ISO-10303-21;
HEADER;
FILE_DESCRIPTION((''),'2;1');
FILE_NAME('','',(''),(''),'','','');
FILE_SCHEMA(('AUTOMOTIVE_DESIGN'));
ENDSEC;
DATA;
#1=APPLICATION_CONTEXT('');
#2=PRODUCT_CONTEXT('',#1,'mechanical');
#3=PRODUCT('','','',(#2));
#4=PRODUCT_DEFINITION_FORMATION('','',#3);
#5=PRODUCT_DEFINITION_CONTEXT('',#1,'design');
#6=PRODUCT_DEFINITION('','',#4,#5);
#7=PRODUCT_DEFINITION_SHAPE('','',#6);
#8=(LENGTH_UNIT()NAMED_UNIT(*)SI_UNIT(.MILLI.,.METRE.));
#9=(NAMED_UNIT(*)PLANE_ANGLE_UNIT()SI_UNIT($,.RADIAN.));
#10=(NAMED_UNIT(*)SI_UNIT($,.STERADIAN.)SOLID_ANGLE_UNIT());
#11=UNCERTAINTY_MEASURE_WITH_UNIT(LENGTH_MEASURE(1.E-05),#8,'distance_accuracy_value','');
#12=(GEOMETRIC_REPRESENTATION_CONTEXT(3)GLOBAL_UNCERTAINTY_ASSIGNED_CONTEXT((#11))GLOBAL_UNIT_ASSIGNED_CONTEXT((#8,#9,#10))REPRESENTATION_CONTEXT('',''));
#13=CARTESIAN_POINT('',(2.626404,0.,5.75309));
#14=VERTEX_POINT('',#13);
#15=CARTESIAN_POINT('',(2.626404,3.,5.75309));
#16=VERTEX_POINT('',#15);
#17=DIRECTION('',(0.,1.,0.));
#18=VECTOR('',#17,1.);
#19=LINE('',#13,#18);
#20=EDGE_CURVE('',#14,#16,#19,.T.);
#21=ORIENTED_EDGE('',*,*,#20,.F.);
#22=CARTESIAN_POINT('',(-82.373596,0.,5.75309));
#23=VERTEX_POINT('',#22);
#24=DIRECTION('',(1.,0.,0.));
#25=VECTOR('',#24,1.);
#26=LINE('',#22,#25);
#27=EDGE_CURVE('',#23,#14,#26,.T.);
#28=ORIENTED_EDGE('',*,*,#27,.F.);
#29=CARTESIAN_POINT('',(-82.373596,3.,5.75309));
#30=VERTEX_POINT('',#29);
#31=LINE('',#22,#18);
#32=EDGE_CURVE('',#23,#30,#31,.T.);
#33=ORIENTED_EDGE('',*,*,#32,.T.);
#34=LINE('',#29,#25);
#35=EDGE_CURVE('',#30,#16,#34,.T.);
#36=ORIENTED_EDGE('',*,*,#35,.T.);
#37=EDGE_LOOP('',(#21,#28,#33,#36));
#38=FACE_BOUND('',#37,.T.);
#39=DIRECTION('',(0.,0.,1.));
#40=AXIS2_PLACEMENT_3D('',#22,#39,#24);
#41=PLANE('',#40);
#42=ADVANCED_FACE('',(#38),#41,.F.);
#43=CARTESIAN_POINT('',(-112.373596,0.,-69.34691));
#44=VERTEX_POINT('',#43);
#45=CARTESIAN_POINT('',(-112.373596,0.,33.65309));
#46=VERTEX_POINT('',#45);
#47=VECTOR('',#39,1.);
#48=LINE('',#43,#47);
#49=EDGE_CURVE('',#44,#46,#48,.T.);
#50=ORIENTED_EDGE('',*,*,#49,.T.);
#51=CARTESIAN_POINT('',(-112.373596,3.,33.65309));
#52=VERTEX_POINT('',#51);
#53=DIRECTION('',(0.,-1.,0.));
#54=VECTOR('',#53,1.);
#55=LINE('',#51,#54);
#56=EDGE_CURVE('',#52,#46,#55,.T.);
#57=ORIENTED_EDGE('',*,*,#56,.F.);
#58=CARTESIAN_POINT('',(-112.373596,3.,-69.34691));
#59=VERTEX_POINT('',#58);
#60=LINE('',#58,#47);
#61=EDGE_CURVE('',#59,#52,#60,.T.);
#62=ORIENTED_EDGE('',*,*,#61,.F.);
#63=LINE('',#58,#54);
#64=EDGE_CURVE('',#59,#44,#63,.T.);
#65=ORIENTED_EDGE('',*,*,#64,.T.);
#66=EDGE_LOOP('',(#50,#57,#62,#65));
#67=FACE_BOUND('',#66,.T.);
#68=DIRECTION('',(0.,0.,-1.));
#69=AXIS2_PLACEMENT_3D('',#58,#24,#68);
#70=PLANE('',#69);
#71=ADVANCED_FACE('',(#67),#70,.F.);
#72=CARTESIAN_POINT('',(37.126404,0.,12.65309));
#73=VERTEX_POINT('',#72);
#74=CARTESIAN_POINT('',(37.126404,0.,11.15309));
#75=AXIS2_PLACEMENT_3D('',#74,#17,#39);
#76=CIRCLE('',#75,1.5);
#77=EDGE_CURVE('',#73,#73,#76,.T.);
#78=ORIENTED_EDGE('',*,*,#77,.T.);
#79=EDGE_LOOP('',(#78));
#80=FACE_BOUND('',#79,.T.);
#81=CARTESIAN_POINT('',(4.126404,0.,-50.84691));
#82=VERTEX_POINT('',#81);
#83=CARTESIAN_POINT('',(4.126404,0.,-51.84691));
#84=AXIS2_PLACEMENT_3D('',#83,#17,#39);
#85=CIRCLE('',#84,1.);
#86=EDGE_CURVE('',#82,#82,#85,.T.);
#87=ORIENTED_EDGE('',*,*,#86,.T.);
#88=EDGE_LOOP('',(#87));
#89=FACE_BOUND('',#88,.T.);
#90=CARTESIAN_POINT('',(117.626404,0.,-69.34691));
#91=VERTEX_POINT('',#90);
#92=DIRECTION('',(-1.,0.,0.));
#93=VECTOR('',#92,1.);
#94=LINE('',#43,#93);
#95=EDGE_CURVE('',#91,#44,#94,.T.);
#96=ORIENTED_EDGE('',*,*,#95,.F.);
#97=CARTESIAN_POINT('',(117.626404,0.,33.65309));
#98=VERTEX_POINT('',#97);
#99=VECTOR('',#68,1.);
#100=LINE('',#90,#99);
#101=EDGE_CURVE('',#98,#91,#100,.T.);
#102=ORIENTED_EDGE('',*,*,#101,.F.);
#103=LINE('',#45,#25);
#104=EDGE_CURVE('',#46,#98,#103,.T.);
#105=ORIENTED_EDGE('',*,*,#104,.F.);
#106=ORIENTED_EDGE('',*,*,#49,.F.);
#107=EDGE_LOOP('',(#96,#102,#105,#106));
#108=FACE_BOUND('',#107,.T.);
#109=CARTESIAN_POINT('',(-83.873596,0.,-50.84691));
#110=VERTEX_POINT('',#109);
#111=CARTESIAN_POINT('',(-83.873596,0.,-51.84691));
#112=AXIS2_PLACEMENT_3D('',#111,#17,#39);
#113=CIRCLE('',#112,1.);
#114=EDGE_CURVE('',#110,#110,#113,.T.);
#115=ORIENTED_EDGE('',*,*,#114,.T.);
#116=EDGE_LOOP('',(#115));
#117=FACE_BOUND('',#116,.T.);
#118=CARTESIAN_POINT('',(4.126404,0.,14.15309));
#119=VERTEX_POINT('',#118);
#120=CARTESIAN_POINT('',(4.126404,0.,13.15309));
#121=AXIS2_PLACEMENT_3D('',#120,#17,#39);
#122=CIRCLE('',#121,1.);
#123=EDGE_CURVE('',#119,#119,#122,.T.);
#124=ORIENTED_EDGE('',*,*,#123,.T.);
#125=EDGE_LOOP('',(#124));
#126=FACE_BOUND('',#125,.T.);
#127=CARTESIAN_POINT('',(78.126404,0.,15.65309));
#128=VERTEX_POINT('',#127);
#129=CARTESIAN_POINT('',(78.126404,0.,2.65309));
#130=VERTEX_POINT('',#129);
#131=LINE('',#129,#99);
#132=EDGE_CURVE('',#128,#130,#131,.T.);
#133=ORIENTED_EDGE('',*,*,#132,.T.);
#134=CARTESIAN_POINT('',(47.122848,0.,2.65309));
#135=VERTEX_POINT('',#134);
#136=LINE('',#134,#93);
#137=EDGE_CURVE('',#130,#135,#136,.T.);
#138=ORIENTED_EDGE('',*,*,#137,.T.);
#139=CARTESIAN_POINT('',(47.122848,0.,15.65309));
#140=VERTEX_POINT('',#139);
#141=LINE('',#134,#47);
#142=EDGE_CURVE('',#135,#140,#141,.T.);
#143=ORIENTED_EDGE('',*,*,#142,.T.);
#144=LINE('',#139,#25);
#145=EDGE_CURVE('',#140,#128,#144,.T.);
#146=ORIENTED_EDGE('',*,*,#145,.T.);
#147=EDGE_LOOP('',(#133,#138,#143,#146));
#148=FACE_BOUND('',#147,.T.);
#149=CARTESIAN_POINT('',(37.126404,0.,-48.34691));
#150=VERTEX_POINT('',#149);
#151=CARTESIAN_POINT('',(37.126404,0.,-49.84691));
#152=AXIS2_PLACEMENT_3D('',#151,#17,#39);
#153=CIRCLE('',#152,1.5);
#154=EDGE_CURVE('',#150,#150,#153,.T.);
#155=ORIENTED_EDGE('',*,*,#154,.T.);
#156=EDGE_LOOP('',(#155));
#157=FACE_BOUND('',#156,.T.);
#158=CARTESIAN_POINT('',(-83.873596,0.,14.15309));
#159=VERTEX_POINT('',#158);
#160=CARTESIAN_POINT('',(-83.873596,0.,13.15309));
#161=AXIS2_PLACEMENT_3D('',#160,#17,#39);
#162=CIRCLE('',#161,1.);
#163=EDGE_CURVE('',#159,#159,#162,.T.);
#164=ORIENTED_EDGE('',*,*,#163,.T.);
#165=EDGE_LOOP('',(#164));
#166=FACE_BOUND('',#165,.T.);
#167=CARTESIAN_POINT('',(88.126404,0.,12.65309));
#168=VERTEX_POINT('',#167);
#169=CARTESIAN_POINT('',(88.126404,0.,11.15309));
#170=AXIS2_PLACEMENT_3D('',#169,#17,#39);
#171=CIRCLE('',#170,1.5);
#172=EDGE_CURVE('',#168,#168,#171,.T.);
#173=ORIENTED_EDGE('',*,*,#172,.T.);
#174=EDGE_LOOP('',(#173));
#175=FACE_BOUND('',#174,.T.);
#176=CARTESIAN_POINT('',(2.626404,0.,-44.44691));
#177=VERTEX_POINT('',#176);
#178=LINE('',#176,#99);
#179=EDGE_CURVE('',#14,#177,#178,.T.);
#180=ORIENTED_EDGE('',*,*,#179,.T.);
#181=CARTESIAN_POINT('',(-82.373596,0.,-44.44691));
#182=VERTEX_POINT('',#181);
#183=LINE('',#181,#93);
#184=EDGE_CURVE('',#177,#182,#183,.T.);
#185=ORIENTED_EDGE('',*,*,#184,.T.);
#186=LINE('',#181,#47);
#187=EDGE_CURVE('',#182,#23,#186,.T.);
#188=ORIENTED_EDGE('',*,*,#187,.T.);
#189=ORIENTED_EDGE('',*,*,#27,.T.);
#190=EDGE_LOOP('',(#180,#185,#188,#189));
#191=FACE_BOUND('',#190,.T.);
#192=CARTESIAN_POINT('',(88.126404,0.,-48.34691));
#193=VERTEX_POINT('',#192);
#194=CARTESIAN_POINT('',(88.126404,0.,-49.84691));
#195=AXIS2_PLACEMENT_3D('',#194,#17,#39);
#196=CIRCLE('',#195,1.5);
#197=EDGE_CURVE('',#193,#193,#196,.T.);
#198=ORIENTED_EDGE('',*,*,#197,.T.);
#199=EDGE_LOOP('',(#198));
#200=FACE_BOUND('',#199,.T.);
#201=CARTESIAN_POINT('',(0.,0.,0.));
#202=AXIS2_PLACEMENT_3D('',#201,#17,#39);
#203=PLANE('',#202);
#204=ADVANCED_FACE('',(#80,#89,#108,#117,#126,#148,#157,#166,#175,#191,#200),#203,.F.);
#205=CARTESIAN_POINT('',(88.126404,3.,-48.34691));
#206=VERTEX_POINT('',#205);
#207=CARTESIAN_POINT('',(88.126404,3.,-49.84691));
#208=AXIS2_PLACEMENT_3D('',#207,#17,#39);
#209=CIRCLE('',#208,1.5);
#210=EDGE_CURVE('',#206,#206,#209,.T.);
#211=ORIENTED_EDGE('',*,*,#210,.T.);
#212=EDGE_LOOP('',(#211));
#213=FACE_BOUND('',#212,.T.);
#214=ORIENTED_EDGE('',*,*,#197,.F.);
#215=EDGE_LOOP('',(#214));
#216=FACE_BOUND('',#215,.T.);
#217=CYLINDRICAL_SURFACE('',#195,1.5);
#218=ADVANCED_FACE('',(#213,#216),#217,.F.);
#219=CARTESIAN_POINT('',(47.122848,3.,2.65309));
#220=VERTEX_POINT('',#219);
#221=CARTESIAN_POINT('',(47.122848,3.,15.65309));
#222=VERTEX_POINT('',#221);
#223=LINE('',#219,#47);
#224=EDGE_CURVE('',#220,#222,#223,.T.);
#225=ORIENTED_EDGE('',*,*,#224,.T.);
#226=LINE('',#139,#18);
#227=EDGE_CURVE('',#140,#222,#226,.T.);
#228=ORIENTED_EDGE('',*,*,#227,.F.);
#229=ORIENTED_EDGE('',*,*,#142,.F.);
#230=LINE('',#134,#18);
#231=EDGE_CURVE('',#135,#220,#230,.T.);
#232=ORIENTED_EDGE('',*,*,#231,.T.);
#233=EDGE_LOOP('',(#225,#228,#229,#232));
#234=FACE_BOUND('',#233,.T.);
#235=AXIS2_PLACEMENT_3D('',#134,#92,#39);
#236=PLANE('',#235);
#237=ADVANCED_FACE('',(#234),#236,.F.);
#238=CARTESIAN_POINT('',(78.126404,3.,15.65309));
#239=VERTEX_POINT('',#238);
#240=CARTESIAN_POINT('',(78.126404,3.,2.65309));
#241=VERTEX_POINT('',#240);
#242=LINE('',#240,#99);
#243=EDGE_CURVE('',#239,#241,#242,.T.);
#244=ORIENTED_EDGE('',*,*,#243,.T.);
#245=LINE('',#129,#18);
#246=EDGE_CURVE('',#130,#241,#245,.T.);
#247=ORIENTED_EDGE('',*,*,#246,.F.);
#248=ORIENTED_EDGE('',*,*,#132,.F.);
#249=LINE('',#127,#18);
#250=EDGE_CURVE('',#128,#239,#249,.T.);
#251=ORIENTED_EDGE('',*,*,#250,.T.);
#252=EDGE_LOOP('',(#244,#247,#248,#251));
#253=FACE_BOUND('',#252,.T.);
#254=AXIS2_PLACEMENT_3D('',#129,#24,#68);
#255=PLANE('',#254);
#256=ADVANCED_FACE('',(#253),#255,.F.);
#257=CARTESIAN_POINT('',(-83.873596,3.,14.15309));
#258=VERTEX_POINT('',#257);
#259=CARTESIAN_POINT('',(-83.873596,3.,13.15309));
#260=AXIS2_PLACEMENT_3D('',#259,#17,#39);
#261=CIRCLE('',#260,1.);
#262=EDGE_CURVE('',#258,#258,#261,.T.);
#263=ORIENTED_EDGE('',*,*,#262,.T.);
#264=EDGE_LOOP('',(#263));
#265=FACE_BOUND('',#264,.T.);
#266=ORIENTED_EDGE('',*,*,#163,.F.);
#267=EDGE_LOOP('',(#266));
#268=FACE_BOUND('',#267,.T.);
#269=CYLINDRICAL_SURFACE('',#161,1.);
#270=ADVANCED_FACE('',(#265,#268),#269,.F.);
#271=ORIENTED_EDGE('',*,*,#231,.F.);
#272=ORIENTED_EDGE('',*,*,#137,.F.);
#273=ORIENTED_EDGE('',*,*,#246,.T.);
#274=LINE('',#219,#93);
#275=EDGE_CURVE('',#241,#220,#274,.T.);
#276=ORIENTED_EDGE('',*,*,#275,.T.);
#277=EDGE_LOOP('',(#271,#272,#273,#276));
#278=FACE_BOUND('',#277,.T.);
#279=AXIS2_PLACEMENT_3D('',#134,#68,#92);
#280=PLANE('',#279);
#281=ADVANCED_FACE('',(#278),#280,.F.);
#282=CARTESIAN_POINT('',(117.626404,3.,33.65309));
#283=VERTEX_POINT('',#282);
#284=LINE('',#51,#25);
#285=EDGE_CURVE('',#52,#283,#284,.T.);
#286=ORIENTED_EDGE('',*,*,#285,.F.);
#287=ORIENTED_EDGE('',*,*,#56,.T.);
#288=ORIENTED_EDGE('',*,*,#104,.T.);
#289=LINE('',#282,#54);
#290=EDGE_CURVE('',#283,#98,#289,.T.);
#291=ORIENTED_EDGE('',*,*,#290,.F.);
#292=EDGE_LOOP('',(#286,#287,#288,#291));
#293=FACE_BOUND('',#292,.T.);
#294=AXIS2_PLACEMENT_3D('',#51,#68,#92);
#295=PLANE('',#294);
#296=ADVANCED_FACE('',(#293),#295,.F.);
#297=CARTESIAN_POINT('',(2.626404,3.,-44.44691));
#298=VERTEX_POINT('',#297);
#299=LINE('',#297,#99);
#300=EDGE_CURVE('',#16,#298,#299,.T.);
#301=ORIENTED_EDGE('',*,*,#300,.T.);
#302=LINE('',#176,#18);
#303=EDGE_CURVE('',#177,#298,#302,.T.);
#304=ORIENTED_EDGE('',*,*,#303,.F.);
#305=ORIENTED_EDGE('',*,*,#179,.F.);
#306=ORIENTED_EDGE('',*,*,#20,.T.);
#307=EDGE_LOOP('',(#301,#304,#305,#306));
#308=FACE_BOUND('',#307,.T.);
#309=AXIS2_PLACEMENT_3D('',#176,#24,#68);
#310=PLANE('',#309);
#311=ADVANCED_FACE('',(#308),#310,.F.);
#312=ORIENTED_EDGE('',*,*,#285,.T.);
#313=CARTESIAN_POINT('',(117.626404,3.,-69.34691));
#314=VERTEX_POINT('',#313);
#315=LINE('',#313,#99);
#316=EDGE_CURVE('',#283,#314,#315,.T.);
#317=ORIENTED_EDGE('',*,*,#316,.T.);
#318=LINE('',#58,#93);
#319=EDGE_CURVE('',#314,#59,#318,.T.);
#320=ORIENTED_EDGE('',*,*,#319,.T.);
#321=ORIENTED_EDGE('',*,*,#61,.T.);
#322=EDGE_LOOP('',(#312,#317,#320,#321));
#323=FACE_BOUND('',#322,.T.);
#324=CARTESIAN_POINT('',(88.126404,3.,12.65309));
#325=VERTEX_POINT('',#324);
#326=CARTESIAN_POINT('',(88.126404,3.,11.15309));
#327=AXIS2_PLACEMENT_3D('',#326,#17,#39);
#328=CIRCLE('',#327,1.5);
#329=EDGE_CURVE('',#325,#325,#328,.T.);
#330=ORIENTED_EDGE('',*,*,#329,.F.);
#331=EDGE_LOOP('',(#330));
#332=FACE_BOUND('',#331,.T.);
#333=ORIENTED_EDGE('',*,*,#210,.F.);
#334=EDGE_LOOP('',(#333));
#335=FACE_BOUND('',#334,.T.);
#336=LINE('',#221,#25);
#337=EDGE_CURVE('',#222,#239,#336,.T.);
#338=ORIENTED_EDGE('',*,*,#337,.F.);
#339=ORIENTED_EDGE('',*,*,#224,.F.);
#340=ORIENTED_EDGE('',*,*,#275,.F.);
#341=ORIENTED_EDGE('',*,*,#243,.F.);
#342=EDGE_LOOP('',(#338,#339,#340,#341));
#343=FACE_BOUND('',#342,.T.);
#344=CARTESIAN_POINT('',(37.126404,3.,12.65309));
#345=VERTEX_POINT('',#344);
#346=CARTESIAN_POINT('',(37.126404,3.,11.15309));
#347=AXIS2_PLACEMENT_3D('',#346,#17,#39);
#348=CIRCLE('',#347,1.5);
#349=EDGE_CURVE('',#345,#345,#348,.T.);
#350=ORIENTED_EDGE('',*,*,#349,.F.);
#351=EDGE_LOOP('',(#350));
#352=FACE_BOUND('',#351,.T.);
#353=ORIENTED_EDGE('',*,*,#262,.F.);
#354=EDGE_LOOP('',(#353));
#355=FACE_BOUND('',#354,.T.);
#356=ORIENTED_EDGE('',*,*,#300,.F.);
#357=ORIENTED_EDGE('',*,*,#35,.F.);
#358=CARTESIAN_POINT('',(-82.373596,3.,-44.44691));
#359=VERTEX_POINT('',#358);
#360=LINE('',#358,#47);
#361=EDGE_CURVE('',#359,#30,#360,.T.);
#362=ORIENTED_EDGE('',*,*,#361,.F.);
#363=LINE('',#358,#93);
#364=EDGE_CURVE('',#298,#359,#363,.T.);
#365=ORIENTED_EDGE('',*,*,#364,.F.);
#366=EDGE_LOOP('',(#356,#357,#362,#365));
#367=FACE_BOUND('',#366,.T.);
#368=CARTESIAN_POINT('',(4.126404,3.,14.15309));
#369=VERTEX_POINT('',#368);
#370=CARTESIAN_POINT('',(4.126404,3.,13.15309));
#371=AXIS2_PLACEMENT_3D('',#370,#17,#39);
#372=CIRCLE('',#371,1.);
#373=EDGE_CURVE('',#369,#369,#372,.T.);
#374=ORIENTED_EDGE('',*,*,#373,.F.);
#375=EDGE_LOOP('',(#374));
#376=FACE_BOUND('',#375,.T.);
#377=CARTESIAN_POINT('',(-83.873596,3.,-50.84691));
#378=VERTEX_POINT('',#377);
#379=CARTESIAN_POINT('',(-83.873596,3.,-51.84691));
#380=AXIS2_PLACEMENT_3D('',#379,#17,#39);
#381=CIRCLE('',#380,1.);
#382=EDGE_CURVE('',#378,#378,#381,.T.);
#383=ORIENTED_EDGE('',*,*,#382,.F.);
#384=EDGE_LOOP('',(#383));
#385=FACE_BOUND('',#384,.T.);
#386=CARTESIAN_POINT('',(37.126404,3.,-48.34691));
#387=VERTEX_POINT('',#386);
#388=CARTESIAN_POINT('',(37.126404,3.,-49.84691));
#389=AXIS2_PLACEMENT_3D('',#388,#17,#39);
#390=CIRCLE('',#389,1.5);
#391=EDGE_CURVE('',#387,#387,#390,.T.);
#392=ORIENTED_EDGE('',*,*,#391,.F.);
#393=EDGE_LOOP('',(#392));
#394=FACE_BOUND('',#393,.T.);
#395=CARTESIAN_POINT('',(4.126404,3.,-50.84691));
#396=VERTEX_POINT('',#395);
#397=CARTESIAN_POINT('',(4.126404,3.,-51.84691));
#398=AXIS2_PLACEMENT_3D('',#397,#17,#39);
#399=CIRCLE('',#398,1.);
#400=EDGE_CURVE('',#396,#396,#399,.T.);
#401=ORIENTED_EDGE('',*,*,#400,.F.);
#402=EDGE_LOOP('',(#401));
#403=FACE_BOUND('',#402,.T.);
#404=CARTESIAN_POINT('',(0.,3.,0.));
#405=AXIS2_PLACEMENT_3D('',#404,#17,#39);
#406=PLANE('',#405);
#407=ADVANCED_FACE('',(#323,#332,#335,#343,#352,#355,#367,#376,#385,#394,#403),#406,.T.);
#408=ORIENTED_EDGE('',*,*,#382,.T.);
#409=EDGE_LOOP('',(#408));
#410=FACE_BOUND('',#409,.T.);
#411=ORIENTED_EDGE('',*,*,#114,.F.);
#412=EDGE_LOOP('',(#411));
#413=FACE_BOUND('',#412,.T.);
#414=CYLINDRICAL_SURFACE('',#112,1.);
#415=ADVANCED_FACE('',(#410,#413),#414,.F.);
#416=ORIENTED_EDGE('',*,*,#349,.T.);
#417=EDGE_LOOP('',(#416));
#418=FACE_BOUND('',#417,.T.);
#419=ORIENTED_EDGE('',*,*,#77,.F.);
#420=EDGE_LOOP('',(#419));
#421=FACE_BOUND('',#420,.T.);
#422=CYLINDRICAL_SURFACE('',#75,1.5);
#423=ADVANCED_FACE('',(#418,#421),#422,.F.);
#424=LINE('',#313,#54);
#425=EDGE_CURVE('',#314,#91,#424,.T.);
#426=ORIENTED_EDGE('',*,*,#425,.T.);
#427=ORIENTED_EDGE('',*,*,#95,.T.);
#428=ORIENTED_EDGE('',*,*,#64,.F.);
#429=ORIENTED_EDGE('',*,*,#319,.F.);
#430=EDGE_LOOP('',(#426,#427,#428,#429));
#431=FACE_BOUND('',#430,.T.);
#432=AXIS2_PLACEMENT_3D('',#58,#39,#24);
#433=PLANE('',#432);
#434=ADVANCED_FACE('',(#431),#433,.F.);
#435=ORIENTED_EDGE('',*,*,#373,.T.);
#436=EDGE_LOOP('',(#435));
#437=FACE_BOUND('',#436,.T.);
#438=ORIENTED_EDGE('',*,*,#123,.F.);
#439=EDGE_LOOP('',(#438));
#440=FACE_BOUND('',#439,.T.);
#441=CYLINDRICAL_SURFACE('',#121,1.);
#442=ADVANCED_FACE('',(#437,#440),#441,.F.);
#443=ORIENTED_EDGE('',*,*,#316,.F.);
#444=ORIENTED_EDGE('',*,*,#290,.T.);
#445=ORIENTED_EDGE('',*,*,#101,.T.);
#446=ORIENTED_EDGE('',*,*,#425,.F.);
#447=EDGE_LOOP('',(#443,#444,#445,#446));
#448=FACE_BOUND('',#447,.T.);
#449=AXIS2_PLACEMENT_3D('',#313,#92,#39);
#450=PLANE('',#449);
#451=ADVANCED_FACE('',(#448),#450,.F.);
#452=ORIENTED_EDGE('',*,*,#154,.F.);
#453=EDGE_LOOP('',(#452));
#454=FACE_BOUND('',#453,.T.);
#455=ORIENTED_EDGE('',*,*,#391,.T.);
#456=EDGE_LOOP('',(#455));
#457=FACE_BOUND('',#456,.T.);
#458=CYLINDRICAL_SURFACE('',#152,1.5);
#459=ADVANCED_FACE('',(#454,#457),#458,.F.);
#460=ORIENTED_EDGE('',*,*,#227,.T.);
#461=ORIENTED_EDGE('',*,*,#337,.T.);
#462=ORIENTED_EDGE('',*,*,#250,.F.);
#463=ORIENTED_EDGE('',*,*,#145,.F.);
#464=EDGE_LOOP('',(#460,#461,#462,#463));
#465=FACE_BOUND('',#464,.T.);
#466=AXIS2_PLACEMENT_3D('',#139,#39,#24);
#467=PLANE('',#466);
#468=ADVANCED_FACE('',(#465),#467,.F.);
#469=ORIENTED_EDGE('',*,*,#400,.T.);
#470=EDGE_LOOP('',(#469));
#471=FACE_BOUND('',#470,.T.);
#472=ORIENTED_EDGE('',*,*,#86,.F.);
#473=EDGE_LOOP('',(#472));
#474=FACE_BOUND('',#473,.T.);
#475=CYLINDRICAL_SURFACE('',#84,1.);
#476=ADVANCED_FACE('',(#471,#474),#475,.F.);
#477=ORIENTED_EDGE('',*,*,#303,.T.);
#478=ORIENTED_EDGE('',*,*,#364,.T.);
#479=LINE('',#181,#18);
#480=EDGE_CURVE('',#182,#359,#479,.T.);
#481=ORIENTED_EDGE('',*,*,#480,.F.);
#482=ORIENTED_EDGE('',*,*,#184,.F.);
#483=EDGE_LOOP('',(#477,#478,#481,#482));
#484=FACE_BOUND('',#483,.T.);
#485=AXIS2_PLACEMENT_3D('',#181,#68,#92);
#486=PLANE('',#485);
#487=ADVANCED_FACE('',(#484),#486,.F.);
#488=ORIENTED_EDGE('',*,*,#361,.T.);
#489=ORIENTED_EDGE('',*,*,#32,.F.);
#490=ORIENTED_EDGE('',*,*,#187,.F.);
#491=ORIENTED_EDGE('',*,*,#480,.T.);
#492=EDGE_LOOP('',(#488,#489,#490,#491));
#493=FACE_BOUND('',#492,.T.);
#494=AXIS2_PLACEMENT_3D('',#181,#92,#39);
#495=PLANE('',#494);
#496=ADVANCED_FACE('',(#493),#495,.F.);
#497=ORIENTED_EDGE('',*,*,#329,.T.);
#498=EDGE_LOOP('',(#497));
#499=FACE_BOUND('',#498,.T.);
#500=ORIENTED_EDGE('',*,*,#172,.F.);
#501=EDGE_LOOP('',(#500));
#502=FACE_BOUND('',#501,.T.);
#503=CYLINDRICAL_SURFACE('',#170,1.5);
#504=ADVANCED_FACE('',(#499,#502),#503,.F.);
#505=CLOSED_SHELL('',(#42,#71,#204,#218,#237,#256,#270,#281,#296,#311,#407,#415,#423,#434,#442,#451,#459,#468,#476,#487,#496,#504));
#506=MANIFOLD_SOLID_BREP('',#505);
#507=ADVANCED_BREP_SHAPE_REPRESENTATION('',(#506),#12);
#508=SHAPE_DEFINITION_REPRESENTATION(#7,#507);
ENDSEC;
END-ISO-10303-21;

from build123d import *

# Parameters (mm, degrees)
SKETCH1_W           = 230
SKETCH1_H           = 103
BOSS_EXTRUDE1_DEPTH = 3
SKETCH2_W           = 85
SKETCH2_H           = 50.2
CUT_EXTRUDE1_DEPTH  = 3
SKETCH3_R           = 1.5
SKETCH3_W           = 31.00355617
SKETCH3_H           = 13
CUT_EXTRUDE2_DEPTH  = 3
SKETCH4_R           = 1
CUT_EXTRUDE3_DEPTH  = 3


with BuildPart() as part:
    # Sketch1 → Boss-Extrude1 (new body)
    with BuildSketch(Plane(origin=(0, 0, 0), x_dir=(1, 0, 0), z_dir=(0, 1, 0))):
        with Locations((2.626404494, 17.846910112)):
            Rectangle(SKETCH1_W, SKETCH1_H)
    extrude(amount=BOSS_EXTRUDE1_DEPTH)

    # Sketch2 → Cut-Extrude1 (cut)
    with BuildSketch(Plane(origin=(0, 3, 0), x_dir=(1, 0, 0), z_dir=(0, 1, 0))):
        with Locations((-39.873595506, 19.346910112)):
            Rectangle(SKETCH2_W, SKETCH2_H)
    extrude(amount=-CUT_EXTRUDE1_DEPTH, mode=Mode.SUBTRACT)

    # Sketch3 → Cut-Extrude2 (cut)
    with BuildSketch(Plane(origin=(0, 3, 0), x_dir=(1, 0, 0), z_dir=(0, 1, 0))):
        with Locations(Location((37.126404494, 49.846910112, 0), (0, 0, 270))):
            Circle(SKETCH3_R)
        with Locations(Location((88.126404494, 49.846910112, 0), (0, 0, 270))):
            Circle(SKETCH3_R)
        with Locations(Location((88.126404494, -11.153089888, 0), (0, 0, 270))):
            Circle(SKETCH3_R)
        with Locations(Location((37.126404494, -11.153089888, 0), (0, 0, 270))):
            Circle(SKETCH3_R)
        with Locations((62.624626409, -9.153089888)):
            Rectangle(SKETCH3_W, SKETCH3_H)
    extrude(amount=-CUT_EXTRUDE2_DEPTH, mode=Mode.SUBTRACT)

    # Sketch4 → Cut-Extrude3 (cut)
    with BuildSketch(Plane(origin=(0, 3, 0), x_dir=(1, 0, 0), z_dir=(0, 1, 0))):
        with Locations(Location((-83.873595506, 51.846910112, 0), (0, 0, 270))):
            Circle(SKETCH4_R)
        with Locations(Location((4.126404494, 51.846910112, 0), (0, 0, 270))):
            Circle(SKETCH4_R)
        with Locations(Location((-83.873595506, -13.153089888, 0), (0, 0, 270))):
            Circle(SKETCH4_R)
        with Locations(Location((4.126404494, -13.153089888, 0), (0, 0, 270))):
            Circle(SKETCH4_R)
    extrude(amount=-CUT_EXTRUDE3_DEPTH, mode=Mode.SUBTRACT)


solid = part.part
